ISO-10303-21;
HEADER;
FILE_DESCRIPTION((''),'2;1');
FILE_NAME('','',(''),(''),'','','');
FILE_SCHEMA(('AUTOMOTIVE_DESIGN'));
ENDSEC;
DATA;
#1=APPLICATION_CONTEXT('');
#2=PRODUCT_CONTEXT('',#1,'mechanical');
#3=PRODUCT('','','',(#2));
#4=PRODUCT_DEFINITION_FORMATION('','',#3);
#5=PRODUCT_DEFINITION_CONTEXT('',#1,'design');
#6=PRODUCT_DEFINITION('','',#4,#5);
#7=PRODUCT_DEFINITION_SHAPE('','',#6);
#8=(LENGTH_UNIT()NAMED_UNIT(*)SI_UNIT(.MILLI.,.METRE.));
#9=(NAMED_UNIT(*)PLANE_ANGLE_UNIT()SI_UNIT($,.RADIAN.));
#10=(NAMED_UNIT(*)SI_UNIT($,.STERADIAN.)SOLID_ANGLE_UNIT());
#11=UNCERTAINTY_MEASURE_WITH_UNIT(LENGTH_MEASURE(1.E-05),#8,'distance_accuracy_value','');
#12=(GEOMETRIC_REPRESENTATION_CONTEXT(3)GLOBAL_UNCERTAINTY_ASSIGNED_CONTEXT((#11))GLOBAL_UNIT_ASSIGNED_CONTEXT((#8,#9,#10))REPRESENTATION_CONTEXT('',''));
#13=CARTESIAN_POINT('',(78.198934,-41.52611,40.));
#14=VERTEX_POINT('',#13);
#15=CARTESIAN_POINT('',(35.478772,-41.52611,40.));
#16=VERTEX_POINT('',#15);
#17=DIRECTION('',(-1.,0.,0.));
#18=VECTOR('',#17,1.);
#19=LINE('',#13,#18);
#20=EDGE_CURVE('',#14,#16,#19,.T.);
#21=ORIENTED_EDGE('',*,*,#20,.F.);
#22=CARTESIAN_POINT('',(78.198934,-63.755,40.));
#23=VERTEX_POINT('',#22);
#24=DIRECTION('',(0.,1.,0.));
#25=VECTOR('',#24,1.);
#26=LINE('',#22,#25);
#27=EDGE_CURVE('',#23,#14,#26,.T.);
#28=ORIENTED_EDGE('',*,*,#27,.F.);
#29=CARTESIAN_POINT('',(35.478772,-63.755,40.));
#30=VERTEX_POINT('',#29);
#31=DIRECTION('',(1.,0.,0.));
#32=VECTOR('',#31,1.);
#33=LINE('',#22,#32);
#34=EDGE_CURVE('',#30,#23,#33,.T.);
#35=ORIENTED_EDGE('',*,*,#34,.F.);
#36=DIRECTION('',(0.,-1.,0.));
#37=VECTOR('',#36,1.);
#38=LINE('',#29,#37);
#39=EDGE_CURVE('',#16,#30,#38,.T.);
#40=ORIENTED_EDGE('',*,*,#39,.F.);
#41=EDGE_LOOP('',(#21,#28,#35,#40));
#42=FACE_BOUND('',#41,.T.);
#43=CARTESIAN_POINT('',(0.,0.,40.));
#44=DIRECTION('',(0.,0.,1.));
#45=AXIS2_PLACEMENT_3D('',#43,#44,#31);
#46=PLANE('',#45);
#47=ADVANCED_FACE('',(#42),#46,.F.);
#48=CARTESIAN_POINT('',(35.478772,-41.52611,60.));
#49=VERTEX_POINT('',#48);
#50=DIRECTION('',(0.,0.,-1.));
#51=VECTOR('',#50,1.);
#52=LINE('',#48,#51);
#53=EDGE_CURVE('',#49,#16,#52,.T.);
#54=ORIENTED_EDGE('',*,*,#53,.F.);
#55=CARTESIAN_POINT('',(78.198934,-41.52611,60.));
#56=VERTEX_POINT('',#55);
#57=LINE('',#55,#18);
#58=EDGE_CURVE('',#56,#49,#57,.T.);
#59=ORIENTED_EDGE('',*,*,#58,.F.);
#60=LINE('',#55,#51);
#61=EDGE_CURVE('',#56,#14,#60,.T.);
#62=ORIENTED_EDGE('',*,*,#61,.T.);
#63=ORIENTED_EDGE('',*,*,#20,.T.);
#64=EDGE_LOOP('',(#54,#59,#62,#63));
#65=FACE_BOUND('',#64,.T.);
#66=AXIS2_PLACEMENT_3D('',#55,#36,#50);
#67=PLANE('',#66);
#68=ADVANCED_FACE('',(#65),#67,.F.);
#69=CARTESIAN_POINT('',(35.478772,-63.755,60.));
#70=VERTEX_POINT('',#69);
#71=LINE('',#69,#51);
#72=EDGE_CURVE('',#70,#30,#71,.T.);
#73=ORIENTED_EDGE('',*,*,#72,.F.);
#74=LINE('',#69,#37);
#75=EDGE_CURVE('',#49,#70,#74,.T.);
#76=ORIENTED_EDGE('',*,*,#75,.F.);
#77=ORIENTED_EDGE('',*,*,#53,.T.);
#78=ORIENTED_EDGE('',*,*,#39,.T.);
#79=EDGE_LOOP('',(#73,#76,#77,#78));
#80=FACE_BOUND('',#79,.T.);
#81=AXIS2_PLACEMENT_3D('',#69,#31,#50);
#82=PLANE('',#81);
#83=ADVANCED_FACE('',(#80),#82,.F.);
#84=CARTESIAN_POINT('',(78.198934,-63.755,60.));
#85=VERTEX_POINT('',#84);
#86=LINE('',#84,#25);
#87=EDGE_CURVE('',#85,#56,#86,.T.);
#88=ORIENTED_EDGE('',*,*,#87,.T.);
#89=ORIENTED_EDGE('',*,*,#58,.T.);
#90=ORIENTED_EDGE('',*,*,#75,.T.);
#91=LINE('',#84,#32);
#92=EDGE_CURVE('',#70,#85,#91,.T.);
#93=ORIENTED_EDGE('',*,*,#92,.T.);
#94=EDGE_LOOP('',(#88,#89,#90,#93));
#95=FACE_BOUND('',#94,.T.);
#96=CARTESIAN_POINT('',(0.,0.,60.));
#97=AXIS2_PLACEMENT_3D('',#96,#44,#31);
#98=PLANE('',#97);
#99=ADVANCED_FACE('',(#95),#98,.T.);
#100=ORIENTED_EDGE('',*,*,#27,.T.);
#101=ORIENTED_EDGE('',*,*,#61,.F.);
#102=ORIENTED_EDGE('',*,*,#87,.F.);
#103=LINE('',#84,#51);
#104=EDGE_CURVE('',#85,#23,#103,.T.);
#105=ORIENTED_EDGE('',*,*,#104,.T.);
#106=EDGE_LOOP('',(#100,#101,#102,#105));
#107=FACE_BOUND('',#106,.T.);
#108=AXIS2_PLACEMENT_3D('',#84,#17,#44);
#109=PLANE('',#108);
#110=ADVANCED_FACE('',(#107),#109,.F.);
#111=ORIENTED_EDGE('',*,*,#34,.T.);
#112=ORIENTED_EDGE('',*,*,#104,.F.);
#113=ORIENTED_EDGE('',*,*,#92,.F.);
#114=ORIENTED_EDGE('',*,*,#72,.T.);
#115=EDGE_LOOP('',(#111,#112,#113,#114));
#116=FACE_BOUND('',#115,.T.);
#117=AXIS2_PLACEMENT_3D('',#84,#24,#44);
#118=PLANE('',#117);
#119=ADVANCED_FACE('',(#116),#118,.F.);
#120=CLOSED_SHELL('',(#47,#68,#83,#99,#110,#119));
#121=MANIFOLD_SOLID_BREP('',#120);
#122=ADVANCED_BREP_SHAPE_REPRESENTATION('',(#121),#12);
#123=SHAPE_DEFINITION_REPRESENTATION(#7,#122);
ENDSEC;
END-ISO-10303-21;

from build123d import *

# Parameters (mm, degrees)
ESBO_O1_W                  = 156.39786889
ESBO_O1_H                  = 127.51
NOVO_DEPTH                 = 40
ESBO_O2_W                  = 24.691065998
ESBO_O2_H                  = 20
RESSALTO_EXTRUS_O2_DEPTH   = 20
RESSALTO_EXTRUS_O2_2_DEPTH = 20
ESBO_O2_W_2                = 42.720162864
ESBO_O2_H_2                = 22.228889681
RESSALTO_EXTRUS_O2_3_DEPTH = 20
RESSALTO_EXTRUS_O2_4_DEPTH = 20


with BuildPart() as part:
    # Esboço1 → Novo (new body)
    with BuildSketch(Plane.XY):
        Rectangle(ESBO_O1_W, ESBO_O1_H)
    extrude(amount=NOVO_DEPTH)


with BuildPart() as body_2:
    # Esboço2 → Ressalto-extrusão2 (new body)
    with BuildSketch(Plane.XY.offset(40)):
        with Locations((-65.853401446, -53.755)):
            Rectangle(ESBO_O2_W, ESBO_O2_H)
    extrude(amount=RESSALTO_EXTRUS_O2_DEPTH)


with BuildPart() as body_3:
    # Esboço2 → Ressalto-extrus_o2 2 (new body)
    with BuildSketch(Plane.XY.offset(40)):
        with Locations((-65.853401446, 53.755)):
            Rectangle(ESBO_O2_W, ESBO_O2_H)
    extrude(amount=RESSALTO_EXTRUS_O2_2_DEPTH)


with BuildPart() as body_4:
    # Esboço2 → Ressalto-extrus_o2 3 (new body)
    with BuildSketch(Plane.XY.offset(40)):
        with Locations((56.838853013, 52.64055516)):
            Rectangle(ESBO_O2_W_2, ESBO_O2_H_2)
    extrude(amount=RESSALTO_EXTRUS_O2_3_DEPTH)


with BuildPart() as body_5:
    # Esboço2 → Ressalto-extrus_o2 4 (new body)
    with BuildSketch(Plane.XY.offset(40)):
        with Locations((56.838853013, -52.64055516)):
            Rectangle(ESBO_O2_W_2, ESBO_O2_H_2)
    extrude(amount=RESSALTO_EXTRUS_O2_4_DEPTH)


solid = body_5.part
